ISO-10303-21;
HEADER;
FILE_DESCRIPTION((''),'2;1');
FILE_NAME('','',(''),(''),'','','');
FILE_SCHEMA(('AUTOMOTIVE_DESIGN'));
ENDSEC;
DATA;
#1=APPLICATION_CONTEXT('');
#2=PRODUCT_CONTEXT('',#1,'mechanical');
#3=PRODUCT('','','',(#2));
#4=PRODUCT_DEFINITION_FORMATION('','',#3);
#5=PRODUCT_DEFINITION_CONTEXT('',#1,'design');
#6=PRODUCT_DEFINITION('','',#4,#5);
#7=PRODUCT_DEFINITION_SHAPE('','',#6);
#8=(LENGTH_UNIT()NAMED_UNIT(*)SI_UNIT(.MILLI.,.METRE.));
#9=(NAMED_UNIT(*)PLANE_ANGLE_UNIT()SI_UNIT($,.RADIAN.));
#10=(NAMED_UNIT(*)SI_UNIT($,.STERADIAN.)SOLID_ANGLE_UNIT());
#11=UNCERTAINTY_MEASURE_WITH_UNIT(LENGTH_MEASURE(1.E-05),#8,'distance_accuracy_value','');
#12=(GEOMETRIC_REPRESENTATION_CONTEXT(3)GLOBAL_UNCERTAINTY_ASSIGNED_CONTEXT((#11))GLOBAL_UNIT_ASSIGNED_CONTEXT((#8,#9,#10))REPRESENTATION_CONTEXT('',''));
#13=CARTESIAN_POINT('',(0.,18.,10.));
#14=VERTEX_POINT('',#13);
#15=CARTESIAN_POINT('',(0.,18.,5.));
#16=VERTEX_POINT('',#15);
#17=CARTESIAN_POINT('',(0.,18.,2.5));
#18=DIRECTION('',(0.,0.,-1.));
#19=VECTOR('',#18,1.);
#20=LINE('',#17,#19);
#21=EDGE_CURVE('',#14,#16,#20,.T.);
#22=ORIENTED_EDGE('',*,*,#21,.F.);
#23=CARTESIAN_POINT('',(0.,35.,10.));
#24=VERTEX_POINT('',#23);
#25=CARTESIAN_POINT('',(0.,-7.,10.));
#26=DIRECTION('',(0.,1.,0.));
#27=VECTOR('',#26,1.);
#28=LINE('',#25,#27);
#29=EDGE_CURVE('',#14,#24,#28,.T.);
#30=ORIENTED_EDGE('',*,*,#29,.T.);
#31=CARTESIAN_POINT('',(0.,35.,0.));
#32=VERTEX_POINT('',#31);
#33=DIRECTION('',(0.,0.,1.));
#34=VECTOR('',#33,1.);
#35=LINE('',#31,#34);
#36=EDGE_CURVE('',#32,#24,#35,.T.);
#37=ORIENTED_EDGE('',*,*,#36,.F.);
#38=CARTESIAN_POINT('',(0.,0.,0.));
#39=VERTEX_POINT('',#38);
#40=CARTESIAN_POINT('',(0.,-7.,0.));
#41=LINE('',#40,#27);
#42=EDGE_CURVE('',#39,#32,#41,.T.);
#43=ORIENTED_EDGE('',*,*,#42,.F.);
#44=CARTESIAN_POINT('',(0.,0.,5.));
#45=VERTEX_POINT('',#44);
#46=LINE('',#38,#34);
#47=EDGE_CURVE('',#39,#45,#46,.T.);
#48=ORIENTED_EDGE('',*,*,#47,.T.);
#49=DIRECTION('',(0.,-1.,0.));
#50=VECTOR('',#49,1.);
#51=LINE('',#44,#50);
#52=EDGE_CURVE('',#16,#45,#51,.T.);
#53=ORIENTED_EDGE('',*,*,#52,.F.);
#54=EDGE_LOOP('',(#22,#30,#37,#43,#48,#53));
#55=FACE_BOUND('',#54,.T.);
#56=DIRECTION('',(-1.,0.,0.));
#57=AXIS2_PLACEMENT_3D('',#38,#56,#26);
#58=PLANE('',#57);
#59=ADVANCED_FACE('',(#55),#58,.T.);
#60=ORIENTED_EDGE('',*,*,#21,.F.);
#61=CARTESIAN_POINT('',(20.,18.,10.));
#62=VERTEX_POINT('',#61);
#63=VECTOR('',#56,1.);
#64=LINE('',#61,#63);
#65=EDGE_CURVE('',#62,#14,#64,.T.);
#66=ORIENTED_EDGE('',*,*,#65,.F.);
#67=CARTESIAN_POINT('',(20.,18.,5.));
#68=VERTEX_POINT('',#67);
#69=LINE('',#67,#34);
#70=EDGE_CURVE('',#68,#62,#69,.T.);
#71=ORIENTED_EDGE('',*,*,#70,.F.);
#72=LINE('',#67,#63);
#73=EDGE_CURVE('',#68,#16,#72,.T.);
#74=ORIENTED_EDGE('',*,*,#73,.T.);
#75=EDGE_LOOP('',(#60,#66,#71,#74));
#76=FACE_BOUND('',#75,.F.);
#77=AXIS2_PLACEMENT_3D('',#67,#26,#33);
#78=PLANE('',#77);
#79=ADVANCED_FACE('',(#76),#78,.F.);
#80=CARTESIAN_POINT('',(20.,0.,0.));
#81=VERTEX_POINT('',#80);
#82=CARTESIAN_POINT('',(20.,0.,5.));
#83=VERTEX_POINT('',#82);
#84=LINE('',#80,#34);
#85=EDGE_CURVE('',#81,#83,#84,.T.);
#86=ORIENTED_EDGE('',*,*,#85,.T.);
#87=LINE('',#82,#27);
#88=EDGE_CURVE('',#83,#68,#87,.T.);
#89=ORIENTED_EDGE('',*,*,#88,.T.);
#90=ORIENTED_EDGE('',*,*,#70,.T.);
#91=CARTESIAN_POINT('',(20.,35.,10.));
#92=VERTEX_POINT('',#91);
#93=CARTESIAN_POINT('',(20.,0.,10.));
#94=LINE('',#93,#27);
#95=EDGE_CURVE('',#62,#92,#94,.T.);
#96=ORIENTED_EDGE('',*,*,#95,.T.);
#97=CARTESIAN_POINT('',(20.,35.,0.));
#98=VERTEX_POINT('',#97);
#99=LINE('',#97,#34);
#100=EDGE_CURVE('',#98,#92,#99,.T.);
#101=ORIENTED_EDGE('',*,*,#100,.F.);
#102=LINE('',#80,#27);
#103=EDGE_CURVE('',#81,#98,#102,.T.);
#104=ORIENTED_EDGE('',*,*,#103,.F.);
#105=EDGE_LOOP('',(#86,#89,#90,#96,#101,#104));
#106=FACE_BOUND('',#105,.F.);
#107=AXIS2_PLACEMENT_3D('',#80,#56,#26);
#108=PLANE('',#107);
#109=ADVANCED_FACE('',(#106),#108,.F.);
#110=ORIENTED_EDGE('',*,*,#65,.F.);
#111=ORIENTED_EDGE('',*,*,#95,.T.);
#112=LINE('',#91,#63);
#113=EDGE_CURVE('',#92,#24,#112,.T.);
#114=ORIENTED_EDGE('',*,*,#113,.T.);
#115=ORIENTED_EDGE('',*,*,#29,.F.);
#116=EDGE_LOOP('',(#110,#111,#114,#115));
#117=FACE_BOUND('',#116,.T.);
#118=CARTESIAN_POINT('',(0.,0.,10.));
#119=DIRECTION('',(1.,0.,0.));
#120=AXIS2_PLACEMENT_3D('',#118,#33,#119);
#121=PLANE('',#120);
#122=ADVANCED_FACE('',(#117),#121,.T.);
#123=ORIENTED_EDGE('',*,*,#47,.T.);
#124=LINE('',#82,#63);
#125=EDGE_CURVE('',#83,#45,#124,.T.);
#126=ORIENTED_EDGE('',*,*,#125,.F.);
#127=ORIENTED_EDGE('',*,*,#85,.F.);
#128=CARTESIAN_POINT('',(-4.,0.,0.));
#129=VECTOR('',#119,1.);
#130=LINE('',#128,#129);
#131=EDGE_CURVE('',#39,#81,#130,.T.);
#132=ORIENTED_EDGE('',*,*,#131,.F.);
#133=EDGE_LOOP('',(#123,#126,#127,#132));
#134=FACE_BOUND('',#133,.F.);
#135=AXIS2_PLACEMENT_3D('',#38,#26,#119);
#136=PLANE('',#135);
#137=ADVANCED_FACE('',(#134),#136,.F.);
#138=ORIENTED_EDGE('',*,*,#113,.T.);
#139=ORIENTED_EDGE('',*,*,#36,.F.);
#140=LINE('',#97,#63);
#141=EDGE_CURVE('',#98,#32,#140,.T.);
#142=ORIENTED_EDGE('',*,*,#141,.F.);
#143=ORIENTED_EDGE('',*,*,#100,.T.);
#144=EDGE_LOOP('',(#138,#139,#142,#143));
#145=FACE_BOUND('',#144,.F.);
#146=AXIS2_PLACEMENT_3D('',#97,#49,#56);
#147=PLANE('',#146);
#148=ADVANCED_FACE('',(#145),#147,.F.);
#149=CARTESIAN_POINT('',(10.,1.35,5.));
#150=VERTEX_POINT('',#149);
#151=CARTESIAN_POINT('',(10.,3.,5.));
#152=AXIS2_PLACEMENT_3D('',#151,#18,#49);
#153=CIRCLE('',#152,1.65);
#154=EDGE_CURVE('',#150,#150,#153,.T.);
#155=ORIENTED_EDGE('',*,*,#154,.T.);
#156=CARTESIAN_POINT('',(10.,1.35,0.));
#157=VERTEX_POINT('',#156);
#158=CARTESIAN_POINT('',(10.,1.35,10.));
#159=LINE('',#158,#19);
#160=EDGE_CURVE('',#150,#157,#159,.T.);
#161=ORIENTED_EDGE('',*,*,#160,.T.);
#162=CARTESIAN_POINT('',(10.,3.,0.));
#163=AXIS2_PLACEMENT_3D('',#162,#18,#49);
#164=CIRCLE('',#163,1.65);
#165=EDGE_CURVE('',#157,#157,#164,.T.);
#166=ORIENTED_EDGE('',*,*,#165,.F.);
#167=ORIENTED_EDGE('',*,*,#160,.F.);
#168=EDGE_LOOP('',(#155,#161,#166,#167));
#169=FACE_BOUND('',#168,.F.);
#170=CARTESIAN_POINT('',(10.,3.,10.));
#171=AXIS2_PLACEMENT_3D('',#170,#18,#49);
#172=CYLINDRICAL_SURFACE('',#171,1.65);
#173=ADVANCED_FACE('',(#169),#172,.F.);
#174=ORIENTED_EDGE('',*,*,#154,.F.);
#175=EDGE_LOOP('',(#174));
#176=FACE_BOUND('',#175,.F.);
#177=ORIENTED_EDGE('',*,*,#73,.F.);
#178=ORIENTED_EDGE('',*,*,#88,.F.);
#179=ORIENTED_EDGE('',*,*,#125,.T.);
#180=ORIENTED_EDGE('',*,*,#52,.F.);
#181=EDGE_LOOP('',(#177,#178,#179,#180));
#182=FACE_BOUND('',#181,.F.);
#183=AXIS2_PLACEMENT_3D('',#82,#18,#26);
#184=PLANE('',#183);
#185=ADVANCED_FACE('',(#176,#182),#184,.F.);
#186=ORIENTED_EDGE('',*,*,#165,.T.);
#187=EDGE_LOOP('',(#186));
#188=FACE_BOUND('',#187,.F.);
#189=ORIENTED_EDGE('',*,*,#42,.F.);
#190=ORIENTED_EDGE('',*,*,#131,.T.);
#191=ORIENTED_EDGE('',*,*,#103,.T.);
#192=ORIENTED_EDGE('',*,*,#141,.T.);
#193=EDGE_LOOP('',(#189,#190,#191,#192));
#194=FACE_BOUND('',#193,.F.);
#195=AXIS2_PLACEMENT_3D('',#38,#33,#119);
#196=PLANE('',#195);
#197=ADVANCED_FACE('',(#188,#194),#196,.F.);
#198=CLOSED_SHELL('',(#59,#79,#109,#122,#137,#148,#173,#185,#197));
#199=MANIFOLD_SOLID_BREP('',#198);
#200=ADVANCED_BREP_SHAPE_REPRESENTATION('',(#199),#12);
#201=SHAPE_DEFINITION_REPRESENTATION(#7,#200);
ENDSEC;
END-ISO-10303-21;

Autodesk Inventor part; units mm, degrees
ref_plane "YZ Plane" through (0, 0, 0) normal (1, 0, 0) x (0, 1, 0)
ref_plane "XZ Plane" through (0, 0, 0) normal (0, 1, 0) x (-1, 0, 0)
ref_plane "XY Plane" through (0, 0, 0) normal (0, 0, 1) x (1, 0, 0)
sketch "Skizze1" plane through (0, 0, 0) normal (0, 0, 1) x (1, 0, 0)
  line L0 (-4, 0) -> (24, 0) projected
  line L1 (0, -7) -> (0, 42) projected
  line L2 (0, 0) -> (20, 0)
  line L3 (20, 0) -> (20, 35)
  line L4 (20, 35) -> (0, 35)
  line L5 (0, 35) -> (0, 0)
  dimension "d0" = 35
  dimension "d1" = 20
extrude "Extrusion1" add sketch "Skizze1" along normal blind 10
sketch "Skizze2" plane through (0, 0, 10) normal (0, 0, 1) x (1, 0, 0)
  line L0 (0, 0) -> (20, 0) projected
  line L1 (20, 0) -> (20, 35) projected
  point P0 (10, 3)
  dimension "d4" = 10
  dimension "d5" = 3
hole "Bohrung1" at (10, 3, 10) direction (0, 0, -1) diameter 3.3 end through all
sketch "Skizze3" plane through (20, 0, 0) normal (1, 0, 0) x (0, 0, -1)
  line L0 (-10, 0) -> (-5, 0)
  line L1 (-5, 0) -> (-5, 18)
  line L2 (-5, 18) -> (-10, 18)
  line L3 (-10, 18) -> (-10, 0)
  dimension "d13" = 5
  dimension "d14" = 18
extrude "Extrusion2" cut sketch "Skizze3" against normal through all
properties part number "Platine" material "Edelstahl"
